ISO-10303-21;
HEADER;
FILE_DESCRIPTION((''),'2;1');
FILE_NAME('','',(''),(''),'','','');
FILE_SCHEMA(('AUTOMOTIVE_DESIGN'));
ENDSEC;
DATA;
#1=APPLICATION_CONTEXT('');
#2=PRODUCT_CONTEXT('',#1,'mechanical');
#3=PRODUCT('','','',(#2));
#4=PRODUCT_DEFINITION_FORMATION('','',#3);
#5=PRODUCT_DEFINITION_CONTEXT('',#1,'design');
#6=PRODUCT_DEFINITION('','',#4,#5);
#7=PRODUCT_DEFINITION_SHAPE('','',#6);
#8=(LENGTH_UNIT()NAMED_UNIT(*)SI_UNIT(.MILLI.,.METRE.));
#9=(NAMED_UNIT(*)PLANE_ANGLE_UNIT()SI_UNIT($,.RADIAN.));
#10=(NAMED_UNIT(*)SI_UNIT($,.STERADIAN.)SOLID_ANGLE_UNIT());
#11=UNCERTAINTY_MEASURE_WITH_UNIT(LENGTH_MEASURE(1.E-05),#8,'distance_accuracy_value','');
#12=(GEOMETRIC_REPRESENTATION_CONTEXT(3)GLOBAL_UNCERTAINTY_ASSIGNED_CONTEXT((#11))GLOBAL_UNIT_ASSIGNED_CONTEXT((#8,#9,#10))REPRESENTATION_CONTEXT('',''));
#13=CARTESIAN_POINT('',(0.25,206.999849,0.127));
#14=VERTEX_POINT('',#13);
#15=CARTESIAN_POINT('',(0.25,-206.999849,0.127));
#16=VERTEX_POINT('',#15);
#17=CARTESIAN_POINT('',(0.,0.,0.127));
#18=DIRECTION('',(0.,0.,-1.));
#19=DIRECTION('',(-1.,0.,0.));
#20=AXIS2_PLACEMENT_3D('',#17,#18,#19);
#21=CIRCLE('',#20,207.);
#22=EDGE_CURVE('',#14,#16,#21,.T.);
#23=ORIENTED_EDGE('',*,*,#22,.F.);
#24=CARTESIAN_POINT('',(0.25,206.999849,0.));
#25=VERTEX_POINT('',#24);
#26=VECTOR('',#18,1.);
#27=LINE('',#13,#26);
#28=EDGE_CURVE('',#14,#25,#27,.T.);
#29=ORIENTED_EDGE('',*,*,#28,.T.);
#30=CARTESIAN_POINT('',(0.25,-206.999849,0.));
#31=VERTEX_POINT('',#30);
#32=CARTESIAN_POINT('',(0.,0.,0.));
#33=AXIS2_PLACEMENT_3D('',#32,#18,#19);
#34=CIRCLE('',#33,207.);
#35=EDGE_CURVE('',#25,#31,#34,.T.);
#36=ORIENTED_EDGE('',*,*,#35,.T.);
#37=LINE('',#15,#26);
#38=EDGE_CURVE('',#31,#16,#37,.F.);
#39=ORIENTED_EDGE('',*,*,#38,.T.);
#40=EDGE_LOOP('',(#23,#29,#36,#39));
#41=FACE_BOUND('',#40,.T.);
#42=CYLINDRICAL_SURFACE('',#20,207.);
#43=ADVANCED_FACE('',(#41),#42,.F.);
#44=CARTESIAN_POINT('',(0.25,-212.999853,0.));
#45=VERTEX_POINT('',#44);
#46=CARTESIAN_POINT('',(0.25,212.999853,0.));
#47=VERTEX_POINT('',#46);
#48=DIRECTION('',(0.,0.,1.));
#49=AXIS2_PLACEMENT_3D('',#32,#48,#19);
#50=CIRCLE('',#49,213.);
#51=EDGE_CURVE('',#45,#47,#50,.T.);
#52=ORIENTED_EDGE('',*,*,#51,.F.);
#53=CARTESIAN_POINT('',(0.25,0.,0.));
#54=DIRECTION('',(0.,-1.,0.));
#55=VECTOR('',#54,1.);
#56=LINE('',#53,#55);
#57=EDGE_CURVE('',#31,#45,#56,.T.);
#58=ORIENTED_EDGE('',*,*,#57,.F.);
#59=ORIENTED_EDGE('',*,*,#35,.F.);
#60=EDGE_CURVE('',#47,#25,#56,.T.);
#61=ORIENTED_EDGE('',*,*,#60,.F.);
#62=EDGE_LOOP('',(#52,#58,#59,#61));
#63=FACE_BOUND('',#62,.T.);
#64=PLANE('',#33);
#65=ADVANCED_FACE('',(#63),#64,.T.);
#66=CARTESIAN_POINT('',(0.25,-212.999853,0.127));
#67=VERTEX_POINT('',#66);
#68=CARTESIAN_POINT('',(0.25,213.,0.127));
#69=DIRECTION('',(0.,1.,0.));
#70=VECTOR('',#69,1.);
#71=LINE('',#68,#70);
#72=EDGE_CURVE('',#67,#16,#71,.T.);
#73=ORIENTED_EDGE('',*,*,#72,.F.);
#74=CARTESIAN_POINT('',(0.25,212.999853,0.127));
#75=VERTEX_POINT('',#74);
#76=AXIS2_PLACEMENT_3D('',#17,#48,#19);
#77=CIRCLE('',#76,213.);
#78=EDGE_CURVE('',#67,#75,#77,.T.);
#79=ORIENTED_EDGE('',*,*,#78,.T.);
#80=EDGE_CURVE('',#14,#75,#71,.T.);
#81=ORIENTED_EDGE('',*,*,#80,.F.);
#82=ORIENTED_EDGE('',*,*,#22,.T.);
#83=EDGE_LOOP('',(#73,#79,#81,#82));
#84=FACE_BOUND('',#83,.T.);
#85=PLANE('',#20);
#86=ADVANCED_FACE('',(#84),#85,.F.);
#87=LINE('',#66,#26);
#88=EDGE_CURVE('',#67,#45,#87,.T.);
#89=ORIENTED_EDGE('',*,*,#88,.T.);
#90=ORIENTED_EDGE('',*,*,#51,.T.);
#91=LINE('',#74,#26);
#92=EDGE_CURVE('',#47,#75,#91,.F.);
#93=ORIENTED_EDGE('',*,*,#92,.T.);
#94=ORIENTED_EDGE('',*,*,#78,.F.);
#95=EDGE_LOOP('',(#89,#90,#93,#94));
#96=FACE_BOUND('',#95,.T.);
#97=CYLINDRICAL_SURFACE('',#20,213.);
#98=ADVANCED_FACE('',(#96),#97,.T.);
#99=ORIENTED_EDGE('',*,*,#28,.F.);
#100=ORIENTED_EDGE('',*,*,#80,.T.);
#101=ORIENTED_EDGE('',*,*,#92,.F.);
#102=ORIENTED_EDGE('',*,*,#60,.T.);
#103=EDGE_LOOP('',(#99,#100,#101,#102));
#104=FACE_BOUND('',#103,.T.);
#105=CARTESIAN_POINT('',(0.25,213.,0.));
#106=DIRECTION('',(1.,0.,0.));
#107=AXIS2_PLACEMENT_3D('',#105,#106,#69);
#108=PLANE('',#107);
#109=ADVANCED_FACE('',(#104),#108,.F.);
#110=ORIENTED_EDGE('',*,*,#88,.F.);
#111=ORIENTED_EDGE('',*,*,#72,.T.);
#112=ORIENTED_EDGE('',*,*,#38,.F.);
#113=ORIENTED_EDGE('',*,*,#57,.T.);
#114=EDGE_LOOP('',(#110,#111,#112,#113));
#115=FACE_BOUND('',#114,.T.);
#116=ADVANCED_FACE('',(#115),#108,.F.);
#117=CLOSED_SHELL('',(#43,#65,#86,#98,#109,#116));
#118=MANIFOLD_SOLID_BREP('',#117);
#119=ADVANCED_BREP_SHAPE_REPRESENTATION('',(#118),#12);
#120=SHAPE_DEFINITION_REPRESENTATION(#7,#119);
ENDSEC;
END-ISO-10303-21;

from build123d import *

# Parameters (mm, degrees)
BOSS_EXTRUDE1_DEPTH = 0.127
SKETCH2_W           = 0.25
SKETCH2_H           = 426
CUT_EXTRUDE1_DEPTH  = 1.127


with BuildPart() as part:
    # Sketch1 → Boss-Extrude1 (new body)
    with BuildSketch(Plane.XY):
        with BuildLine():
            Line((0, 213), (0, 207))
            ThreePointArc((0, 207), (207, 0), (0, -207))
            Line((0, -207), (0, -213))
            ThreePointArc((0, -213), (213, 0), (0, 213))
        make_face()
    extrude(amount=BOSS_EXTRUDE1_DEPTH)

    # Sketch2 → Cut-Extrude1 (cut, through all)
    with BuildSketch(Plane.XY.offset(0.127)):
        with Locations((0.125, 0)):
            Rectangle(SKETCH2_W, SKETCH2_H)
    extrude(amount=-CUT_EXTRUDE1_DEPTH, mode=Mode.SUBTRACT)


solid = part.part
